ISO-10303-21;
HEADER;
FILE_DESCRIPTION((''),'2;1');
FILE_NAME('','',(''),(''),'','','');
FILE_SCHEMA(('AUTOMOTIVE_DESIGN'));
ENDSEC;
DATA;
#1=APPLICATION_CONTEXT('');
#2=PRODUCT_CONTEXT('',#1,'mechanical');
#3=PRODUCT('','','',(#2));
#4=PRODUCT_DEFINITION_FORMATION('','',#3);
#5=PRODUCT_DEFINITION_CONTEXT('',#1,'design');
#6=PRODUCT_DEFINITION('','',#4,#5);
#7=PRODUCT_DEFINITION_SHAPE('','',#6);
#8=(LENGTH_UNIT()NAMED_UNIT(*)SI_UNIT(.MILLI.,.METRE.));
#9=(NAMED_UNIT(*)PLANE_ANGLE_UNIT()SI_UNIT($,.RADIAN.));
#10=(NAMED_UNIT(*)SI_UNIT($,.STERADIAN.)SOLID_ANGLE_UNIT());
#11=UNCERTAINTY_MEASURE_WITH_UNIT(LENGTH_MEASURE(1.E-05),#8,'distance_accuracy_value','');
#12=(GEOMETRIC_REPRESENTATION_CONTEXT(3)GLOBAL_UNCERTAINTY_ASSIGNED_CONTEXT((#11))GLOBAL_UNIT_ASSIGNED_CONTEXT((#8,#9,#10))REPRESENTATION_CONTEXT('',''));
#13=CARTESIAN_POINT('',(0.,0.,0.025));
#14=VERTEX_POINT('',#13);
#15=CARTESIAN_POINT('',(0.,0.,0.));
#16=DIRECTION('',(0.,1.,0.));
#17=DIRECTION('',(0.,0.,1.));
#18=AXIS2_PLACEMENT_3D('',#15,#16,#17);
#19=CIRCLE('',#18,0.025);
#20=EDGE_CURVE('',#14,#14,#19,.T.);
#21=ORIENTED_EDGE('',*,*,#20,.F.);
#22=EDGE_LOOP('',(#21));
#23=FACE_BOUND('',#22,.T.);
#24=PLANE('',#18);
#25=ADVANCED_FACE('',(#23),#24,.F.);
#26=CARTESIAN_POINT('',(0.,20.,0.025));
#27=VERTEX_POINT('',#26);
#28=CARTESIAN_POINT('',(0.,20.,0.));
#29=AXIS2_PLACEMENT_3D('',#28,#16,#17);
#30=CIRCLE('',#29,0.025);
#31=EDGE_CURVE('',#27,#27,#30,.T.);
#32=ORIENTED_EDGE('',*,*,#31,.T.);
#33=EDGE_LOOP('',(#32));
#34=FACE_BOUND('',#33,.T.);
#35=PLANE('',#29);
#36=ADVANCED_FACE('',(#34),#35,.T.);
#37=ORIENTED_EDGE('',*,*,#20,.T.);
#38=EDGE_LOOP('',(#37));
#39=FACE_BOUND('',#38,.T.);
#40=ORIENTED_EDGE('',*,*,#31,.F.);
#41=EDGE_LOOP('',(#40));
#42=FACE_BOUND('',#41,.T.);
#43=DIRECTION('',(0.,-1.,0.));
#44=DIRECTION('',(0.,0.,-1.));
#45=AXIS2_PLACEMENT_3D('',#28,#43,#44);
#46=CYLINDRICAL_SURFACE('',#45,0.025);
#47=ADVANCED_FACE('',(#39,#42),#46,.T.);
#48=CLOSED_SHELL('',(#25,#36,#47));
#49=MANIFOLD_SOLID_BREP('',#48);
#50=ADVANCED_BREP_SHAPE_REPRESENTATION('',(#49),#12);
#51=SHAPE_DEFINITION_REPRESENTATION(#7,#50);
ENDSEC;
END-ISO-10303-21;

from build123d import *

# Parameters (mm, degrees)
SKETCH1_R           = 0.025
BOSS_EXTRUDE1_DEPTH = 20


with BuildPart() as part:
    # Sketch1 → Boss-Extrude1 (new body)
    with BuildSketch(Plane(origin=(0, 0, 0), x_dir=(1, 0, 0), z_dir=(0, 1, 0))):
        with Locations(Location((0, 0, 0), (0, 0, 270))):
            Circle(SKETCH1_R)
    extrude(amount=BOSS_EXTRUDE1_DEPTH)


solid = part.part
